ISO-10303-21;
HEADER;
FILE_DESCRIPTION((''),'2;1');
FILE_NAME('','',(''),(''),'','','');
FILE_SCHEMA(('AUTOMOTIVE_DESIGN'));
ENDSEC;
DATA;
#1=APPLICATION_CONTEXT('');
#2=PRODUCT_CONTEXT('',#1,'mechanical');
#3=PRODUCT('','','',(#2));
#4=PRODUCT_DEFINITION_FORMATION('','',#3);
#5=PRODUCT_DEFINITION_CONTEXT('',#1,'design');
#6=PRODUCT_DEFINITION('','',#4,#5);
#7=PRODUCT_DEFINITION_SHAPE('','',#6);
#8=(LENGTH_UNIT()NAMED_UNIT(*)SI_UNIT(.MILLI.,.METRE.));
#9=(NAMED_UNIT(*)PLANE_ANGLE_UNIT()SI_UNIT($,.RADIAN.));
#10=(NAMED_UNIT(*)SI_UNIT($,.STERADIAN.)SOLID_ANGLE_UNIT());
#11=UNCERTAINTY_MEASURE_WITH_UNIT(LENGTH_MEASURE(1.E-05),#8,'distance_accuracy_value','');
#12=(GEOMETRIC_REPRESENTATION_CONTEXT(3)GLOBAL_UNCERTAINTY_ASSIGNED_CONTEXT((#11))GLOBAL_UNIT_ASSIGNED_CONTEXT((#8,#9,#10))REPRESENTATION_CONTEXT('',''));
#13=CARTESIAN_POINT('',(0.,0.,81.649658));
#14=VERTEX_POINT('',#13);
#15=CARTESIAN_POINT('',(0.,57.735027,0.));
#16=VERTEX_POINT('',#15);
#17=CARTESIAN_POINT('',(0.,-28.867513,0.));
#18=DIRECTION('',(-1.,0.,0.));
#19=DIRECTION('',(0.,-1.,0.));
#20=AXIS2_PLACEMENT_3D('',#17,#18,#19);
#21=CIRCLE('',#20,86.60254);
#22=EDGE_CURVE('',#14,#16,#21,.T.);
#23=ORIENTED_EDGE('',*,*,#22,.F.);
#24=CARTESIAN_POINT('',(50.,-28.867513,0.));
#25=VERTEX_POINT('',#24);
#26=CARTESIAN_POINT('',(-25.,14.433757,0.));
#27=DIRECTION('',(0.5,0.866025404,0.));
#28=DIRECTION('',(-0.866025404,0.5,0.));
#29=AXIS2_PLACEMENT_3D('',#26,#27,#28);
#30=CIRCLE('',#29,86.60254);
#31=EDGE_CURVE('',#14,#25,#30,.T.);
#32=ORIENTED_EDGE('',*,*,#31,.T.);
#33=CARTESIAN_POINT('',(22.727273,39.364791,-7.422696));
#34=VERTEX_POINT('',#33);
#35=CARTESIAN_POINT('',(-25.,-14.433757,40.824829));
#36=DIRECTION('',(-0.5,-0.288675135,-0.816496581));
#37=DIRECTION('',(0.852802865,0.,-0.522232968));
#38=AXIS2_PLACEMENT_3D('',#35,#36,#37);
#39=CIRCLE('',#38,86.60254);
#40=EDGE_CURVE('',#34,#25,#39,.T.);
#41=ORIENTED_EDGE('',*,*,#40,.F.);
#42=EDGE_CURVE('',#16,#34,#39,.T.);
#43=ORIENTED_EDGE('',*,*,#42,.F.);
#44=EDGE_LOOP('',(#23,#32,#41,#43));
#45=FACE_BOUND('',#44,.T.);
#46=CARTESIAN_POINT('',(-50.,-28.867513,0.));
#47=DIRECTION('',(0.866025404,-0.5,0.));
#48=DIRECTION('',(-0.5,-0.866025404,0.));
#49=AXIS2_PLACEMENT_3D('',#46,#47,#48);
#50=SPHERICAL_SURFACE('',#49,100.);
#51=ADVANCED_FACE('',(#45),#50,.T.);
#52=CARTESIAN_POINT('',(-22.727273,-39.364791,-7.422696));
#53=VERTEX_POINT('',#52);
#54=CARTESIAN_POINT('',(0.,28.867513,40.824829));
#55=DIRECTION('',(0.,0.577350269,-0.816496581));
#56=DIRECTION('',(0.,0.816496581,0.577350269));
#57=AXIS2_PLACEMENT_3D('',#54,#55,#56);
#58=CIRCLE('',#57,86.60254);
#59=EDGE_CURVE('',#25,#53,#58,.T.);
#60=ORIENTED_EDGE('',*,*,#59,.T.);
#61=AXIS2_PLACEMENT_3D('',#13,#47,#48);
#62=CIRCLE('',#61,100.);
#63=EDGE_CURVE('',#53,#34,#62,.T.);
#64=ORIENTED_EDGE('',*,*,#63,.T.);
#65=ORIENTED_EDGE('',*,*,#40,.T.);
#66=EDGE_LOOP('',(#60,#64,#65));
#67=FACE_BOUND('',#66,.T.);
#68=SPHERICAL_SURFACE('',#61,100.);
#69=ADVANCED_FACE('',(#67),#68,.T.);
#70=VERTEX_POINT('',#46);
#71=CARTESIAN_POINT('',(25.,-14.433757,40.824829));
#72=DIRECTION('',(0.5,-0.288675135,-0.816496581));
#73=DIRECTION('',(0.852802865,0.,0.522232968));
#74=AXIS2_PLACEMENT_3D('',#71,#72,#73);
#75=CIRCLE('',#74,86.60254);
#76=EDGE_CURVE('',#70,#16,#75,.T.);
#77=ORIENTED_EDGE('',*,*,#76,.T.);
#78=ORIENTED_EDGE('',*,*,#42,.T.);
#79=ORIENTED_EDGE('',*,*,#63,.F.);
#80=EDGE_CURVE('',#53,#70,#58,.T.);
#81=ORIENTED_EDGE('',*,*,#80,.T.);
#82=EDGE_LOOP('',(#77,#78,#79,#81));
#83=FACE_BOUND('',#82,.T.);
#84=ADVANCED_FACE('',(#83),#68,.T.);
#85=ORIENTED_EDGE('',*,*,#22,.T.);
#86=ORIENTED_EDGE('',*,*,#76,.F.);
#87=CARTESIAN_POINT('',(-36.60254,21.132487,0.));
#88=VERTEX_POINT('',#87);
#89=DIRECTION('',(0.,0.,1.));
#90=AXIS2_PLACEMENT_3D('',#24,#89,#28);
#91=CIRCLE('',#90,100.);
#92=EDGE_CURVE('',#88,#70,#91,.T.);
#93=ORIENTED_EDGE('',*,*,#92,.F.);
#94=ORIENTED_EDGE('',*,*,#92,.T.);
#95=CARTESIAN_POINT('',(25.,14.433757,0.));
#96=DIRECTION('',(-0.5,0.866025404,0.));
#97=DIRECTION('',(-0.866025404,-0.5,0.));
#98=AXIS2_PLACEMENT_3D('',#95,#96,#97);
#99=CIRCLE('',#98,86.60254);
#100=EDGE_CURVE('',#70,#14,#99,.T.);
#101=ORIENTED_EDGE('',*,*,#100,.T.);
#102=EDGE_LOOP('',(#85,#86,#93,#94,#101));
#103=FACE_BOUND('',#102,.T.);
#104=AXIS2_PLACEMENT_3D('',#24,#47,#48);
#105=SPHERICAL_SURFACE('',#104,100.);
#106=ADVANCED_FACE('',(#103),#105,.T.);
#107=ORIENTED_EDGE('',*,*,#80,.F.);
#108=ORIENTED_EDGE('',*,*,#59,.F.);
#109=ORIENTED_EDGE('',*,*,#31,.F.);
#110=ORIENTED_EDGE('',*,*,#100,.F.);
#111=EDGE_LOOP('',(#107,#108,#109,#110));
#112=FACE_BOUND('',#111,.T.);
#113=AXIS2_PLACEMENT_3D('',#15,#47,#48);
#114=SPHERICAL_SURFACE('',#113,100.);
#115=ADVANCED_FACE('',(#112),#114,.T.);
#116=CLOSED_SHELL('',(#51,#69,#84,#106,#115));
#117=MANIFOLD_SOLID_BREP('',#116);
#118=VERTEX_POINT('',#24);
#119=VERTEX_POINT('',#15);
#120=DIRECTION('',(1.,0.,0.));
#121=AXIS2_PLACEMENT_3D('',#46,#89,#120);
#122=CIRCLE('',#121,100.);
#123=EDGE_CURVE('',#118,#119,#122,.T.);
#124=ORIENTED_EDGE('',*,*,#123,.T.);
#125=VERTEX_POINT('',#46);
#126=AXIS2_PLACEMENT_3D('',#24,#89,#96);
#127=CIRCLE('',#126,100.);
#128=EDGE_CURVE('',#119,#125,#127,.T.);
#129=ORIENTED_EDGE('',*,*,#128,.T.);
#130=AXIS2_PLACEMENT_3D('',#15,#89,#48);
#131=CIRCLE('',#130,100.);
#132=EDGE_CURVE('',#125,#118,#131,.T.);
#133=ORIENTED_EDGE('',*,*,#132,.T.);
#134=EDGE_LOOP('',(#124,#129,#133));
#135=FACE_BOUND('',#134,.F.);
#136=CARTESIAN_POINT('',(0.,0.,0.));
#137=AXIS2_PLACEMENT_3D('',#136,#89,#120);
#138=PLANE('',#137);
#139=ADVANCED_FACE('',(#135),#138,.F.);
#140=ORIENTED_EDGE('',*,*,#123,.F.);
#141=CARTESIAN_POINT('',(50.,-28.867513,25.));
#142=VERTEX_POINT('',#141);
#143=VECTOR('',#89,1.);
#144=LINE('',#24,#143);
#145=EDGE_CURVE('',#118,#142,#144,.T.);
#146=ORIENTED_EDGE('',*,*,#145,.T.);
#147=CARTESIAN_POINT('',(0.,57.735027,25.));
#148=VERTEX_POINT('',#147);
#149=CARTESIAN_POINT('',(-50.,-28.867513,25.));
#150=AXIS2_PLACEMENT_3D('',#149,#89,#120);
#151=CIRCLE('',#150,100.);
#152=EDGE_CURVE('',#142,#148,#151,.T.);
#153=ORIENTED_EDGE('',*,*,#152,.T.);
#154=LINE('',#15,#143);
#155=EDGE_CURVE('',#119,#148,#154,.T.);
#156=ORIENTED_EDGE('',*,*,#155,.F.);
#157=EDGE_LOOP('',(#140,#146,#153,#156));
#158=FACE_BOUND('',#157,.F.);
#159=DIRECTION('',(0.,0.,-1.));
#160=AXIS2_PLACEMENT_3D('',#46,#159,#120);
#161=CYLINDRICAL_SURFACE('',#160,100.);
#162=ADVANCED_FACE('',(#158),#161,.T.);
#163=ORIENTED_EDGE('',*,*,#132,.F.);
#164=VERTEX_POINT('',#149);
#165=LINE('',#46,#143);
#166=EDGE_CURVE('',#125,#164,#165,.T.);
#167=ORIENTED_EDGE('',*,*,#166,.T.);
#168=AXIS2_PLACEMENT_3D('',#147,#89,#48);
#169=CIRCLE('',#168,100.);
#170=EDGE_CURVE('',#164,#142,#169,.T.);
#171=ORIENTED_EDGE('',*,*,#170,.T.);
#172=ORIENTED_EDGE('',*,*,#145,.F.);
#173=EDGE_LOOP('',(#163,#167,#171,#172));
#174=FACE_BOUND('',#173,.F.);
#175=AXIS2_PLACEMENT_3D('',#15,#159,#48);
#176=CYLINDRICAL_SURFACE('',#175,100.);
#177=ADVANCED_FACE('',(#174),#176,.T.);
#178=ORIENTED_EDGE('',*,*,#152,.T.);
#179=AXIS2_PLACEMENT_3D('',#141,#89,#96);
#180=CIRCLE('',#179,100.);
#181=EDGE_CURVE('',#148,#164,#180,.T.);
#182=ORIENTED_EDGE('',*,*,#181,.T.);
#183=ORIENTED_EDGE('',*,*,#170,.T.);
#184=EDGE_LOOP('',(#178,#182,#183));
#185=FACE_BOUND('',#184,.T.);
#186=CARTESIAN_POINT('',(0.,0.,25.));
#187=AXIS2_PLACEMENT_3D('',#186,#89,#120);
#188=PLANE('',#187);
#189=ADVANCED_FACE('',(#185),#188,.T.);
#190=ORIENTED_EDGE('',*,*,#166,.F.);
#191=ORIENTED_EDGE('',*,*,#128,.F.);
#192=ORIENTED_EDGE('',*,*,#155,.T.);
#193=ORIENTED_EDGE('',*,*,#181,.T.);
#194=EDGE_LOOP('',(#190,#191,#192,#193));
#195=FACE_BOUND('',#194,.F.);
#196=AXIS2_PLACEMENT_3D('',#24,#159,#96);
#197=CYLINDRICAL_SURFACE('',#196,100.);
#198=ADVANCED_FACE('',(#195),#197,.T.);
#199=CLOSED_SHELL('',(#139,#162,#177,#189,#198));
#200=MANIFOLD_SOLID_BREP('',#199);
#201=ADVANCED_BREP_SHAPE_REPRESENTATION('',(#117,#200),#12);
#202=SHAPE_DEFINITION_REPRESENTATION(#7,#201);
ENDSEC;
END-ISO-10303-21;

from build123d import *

# Parameters (mm, degrees)
F7_DEPTH = 25


with BuildPart() as f1:
    # F0 (on Top) → F1 (revolve)
    with BuildSketch(Plane.XY):
        with BuildLine():
            ThreePointArc((-50, -28.8675134595), (-36.6025403784, 21.1324865405), (0, 57.735026919))
            Line((0, 57.735026919), (-86.6025403784, 107.735026919))
            ThreePointArc((-86.6025403784, 107.735026919), (-96.5925826289, 31.8531224087), (-50, -28.8675134595))
        make_face()
        with BuildLine():
            ThreePointArc((50, -28.8675134595), (70.7106781187, -12.9756511997), (86.6025403784, 7.735026919))
            Line((86.6025403784, 7.735026919), (0, 57.735026919))
            ThreePointArc((0, 57.735026919), (36.6025403784, 21.1324865405), (50, -28.8675134595))
        make_face()
        with BuildLine():
            ThreePointArc((0, -42.264973081), (25.8819045103, -38.8575557099), (50, -28.8675134595))
            ThreePointArc((50, -28.8675134595), (36.6025403784, 21.1324865405), (0, 57.735026919))
            ThreePointArc((0, 57.735026919), (-36.6025403784, 21.1324865405), (-50, -28.8675134595))
            ThreePointArc((-50, -28.8675134595), (-25.8819045103, -38.8575557099), (0, -42.264973081))
        make_face()
    revolve(axis=Axis((0, 57.735026919, 0), (0.8660254038, -0.5, 0)))


with BuildPart() as f3_1:
    # F3: copy of F1
    add(f1.part.moved(Location((50, -86.6025403784, 0))))


with BuildPart() as f4_1:
    # F4: copy of F1
    add(f1.part.moved(Location((-50, -86.6025403784, 0))))


with BuildPart() as f5_1:
    # F5: copy of F1
    add(f1.part.moved(Location((0, -57.735026919, 81.6496580928))))

    # F6: intersect F3_1, F4_1, F1
    add(f3_1.part, mode=Mode.INTERSECT)
    add(f4_1.part, mode=Mode.INTERSECT)
    add(f1.part, mode=Mode.INTERSECT)


with BuildPart() as f7:
    # F0 (on Top) → F7 (new body)
    with BuildSketch(Plane.XY):
        with BuildLine():
            ThreePointArc((0, -42.264973081), (25.8819045103, -38.8575557099), (50, -28.8675134595))
            ThreePointArc((50, -28.8675134595), (36.6025403784, 21.1324865405), (0, 57.735026919))
            ThreePointArc((0, 57.735026919), (-36.6025403784, 21.1324865405), (-50, -28.8675134595))
            ThreePointArc((-50, -28.8675134595), (-25.8819045103, -38.8575557099), (0, -42.264973081))
        make_face()
    extrude(amount=F7_DEPTH)


solid = Compound([f5_1.part, f7.part])
